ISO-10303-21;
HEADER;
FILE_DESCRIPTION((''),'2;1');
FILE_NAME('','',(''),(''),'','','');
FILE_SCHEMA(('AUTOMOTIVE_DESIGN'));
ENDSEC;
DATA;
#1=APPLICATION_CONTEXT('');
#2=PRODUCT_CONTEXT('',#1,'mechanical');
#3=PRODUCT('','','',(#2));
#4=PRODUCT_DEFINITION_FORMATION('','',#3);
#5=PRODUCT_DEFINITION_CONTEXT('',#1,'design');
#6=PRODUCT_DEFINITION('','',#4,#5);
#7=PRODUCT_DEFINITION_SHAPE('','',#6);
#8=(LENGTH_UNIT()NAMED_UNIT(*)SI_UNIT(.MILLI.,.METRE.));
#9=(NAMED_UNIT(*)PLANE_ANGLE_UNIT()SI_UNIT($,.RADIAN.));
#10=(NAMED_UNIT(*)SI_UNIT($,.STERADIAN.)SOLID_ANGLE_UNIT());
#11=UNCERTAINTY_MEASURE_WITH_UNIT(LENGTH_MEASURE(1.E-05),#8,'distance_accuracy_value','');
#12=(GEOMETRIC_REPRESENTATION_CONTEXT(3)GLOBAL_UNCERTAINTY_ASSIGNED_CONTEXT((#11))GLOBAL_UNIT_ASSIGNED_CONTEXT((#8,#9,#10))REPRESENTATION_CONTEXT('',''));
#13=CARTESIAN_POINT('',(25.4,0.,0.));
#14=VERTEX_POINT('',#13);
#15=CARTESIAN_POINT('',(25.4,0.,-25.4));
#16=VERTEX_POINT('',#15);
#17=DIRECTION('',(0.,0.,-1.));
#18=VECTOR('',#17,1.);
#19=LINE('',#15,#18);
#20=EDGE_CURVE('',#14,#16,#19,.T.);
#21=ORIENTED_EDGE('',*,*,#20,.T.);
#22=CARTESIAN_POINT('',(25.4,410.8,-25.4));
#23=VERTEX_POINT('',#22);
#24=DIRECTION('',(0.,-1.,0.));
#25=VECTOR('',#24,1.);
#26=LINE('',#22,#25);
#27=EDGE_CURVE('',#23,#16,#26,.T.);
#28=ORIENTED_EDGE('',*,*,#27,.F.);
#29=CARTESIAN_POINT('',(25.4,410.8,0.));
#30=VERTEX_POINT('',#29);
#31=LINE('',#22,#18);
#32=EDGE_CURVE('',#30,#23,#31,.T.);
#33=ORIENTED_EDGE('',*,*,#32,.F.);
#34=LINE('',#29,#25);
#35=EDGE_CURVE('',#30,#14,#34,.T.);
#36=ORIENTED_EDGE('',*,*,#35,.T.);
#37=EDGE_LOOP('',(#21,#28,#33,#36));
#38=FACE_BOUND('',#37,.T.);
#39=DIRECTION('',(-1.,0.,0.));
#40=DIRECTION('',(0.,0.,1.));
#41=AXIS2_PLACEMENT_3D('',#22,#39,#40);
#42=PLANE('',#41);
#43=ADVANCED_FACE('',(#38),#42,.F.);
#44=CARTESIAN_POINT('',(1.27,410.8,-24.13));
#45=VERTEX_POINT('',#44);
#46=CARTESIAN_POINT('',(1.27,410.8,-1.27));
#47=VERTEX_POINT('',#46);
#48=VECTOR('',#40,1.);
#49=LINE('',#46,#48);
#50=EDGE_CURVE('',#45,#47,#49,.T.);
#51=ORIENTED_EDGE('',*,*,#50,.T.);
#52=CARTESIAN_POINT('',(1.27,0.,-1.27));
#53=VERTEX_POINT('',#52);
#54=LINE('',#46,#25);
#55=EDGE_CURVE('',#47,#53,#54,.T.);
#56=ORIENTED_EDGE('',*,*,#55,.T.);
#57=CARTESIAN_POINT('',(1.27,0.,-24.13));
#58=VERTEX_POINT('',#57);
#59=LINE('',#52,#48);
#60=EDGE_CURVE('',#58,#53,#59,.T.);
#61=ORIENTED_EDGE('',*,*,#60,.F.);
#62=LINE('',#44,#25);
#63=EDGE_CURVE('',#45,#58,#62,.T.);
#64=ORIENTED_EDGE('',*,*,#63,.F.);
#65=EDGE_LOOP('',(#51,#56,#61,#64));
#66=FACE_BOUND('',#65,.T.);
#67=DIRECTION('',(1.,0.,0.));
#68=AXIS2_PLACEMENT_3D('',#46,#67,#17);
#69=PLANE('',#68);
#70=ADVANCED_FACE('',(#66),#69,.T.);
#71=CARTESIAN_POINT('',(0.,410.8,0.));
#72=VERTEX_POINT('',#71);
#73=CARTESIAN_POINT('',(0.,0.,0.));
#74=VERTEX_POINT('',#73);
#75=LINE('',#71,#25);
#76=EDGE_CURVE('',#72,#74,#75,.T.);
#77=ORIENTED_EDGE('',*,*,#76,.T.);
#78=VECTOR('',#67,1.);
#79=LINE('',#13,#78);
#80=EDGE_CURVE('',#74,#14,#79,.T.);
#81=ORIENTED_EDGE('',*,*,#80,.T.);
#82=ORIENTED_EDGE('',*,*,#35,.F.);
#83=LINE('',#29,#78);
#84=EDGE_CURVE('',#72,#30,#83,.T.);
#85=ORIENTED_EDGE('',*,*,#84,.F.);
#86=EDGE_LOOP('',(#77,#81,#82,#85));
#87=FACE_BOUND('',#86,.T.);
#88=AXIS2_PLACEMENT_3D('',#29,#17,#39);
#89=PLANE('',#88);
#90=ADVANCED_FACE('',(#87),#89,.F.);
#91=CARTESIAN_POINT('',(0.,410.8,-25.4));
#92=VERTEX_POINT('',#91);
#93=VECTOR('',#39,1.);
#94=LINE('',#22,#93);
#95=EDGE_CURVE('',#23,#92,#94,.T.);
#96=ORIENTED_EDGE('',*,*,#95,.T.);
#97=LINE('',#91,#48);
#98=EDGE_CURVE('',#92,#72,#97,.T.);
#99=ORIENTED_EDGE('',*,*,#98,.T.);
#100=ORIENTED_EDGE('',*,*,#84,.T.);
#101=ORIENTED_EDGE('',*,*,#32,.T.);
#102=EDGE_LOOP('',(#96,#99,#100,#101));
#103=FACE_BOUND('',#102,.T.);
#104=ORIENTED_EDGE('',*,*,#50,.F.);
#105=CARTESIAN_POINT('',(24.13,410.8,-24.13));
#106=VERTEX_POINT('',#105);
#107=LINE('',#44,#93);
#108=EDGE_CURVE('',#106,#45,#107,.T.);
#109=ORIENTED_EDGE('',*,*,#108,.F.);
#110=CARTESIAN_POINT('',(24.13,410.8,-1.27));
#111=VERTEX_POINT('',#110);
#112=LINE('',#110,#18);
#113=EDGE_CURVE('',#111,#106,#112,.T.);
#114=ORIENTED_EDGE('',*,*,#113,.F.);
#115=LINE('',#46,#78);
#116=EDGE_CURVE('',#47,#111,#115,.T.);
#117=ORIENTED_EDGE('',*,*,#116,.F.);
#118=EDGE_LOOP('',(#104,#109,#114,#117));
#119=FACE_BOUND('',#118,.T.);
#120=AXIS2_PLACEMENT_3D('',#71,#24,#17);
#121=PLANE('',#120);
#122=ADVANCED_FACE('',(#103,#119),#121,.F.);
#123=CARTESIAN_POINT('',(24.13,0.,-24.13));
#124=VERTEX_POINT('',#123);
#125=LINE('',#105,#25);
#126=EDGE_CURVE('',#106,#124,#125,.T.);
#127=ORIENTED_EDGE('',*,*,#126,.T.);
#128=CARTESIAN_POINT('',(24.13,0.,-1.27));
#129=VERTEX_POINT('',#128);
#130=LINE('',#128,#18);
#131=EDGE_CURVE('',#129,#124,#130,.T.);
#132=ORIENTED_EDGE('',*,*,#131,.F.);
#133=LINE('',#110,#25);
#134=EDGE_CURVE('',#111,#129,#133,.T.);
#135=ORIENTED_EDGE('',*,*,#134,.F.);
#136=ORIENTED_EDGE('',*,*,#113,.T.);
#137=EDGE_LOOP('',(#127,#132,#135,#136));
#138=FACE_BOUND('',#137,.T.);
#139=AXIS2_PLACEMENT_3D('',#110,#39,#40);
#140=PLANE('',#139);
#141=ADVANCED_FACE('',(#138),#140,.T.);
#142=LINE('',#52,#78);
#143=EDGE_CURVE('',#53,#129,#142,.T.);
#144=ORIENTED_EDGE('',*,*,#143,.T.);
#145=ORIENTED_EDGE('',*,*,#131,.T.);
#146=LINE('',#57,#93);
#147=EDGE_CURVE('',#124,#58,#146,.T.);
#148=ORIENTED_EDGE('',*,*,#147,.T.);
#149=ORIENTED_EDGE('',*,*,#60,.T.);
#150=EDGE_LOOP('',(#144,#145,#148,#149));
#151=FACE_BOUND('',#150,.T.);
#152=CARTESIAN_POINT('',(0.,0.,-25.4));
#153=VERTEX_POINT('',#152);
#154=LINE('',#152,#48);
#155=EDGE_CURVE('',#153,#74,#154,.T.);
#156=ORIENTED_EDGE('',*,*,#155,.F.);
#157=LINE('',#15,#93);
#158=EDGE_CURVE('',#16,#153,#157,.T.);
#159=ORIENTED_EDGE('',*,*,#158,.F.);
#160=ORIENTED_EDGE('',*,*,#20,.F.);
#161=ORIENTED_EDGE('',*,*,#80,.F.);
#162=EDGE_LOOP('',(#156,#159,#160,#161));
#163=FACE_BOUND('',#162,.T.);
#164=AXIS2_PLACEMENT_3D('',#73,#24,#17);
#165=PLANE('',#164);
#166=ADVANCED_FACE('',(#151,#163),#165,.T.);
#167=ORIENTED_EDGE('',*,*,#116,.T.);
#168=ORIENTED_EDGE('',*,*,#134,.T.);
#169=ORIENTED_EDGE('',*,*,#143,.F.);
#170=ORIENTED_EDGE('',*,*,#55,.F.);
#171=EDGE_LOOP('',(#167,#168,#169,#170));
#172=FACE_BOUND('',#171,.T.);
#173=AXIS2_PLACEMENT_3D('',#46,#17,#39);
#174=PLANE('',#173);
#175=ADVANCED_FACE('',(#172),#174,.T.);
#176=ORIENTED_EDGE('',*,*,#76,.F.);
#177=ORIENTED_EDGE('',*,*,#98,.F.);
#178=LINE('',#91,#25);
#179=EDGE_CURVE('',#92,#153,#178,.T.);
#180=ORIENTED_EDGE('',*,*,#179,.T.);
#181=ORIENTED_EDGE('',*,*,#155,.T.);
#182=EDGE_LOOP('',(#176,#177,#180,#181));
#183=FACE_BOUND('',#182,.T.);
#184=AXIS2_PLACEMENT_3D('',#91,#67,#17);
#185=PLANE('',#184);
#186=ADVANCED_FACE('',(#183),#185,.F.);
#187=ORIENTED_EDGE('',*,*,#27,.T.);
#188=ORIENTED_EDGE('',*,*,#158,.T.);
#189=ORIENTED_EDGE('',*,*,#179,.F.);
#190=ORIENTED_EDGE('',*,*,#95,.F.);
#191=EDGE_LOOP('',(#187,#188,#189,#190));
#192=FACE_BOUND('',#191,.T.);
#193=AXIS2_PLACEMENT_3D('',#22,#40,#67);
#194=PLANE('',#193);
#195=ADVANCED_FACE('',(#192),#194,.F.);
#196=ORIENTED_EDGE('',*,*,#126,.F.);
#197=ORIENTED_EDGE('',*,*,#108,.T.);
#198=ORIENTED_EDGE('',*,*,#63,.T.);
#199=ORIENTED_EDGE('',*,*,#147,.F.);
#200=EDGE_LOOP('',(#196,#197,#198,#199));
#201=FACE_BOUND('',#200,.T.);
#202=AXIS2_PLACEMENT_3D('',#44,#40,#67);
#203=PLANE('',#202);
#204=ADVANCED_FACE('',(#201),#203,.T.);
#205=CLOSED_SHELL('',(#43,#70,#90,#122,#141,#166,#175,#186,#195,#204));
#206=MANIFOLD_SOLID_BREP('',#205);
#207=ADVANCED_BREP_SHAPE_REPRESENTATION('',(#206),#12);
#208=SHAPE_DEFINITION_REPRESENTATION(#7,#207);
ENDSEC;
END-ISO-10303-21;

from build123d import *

# Parameters (mm, degrees)
SKETCH1_W           = 25.4
SKETCH1_H           = 25.4
SKETCH1_W_2         = 22.86
SKETCH1_H_2         = 22.86
BOSS_EXTRUDE1_DEPTH = 410.8


with BuildPart() as part:
    # Sketch1 → Boss-Extrude1 (new body)
    with BuildSketch(Plane(origin=(0, 0, 0), x_dir=(1, 0, 0), z_dir=(0, 1, 0))):
        with Locations((12.7, 12.7)):
            Rectangle(SKETCH1_W, SKETCH1_H)
        with Locations((12.7, 12.7)):
            Rectangle(SKETCH1_W_2, SKETCH1_H_2, mode=Mode.SUBTRACT)
    extrude(amount=BOSS_EXTRUDE1_DEPTH)


solid = part.part
